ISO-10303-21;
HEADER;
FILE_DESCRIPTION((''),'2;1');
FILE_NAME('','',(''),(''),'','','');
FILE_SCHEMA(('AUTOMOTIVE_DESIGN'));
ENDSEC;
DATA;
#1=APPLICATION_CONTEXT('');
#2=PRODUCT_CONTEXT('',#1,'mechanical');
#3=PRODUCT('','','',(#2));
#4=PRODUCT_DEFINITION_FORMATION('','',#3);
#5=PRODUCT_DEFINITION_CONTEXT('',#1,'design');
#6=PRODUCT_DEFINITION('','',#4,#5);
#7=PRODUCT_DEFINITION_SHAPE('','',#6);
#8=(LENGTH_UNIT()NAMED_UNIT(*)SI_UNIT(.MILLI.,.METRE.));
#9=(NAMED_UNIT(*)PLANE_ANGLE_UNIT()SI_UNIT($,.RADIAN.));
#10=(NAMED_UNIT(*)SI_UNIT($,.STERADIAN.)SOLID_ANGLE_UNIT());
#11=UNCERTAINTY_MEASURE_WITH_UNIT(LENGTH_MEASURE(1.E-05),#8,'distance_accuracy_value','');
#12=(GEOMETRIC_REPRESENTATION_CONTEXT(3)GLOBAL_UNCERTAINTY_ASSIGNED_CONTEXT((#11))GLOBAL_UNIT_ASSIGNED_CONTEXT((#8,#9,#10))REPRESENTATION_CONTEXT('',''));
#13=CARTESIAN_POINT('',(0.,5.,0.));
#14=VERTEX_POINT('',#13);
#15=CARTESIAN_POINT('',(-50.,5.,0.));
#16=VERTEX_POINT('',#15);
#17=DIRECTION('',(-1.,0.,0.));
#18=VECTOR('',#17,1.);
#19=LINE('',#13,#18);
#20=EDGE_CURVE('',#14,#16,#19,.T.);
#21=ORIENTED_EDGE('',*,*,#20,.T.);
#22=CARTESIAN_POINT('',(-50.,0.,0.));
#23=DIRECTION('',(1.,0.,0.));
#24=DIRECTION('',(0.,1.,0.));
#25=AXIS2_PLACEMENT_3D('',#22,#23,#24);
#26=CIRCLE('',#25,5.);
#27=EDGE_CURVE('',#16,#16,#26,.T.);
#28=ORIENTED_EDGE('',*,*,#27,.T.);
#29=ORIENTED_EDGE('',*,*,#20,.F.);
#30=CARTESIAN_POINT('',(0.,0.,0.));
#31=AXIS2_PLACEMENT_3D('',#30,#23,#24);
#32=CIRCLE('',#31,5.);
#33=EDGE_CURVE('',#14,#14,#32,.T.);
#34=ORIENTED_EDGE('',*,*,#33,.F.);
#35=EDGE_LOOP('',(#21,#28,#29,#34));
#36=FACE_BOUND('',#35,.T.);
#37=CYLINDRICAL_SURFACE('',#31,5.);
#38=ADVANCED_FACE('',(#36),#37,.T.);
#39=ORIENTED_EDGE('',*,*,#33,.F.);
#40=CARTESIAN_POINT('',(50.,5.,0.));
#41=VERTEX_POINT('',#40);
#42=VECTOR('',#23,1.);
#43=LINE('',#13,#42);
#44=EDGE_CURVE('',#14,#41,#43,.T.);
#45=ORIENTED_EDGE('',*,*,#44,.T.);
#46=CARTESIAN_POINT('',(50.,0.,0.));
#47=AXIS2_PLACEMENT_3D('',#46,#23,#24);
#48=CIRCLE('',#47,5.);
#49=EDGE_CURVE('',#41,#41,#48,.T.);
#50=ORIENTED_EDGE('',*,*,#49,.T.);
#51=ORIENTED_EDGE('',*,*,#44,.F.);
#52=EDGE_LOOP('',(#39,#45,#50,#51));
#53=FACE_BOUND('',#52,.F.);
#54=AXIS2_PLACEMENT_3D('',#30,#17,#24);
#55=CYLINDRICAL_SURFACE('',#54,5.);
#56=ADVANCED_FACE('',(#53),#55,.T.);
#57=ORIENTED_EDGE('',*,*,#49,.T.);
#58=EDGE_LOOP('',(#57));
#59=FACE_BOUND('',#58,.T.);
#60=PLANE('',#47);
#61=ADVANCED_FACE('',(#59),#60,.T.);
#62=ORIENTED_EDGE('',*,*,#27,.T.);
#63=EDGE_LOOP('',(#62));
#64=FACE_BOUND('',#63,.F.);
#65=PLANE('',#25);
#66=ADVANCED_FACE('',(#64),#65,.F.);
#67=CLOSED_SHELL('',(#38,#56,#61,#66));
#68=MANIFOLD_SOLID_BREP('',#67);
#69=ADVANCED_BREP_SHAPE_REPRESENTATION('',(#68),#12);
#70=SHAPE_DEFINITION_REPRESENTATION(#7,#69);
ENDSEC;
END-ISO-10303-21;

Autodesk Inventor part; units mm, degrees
ref_plane "YZ Plane" through (0, 0, 0) normal (1, 0, 0) x (0, 1, 0)
ref_plane "XZ Plane" through (0, 0, 0) normal (0, 1, 0) x (-1, 0, 0)
ref_plane "XY Plane" through (0, 0, 0) normal (0, 0, 1) x (1, 0, 0)
sketch "Sketch1" plane through (0, 0, 0) normal (1, 0, 0) x (0, 1, 0)
  circle A0 centre (0, 0) radius 5
  dimension "d0" = 10
extrude "Extrusion1" add sketch "Sketch1" along normal blind 50 and the other way blind 50
properties part number "atividade_14A_pino_superior"
